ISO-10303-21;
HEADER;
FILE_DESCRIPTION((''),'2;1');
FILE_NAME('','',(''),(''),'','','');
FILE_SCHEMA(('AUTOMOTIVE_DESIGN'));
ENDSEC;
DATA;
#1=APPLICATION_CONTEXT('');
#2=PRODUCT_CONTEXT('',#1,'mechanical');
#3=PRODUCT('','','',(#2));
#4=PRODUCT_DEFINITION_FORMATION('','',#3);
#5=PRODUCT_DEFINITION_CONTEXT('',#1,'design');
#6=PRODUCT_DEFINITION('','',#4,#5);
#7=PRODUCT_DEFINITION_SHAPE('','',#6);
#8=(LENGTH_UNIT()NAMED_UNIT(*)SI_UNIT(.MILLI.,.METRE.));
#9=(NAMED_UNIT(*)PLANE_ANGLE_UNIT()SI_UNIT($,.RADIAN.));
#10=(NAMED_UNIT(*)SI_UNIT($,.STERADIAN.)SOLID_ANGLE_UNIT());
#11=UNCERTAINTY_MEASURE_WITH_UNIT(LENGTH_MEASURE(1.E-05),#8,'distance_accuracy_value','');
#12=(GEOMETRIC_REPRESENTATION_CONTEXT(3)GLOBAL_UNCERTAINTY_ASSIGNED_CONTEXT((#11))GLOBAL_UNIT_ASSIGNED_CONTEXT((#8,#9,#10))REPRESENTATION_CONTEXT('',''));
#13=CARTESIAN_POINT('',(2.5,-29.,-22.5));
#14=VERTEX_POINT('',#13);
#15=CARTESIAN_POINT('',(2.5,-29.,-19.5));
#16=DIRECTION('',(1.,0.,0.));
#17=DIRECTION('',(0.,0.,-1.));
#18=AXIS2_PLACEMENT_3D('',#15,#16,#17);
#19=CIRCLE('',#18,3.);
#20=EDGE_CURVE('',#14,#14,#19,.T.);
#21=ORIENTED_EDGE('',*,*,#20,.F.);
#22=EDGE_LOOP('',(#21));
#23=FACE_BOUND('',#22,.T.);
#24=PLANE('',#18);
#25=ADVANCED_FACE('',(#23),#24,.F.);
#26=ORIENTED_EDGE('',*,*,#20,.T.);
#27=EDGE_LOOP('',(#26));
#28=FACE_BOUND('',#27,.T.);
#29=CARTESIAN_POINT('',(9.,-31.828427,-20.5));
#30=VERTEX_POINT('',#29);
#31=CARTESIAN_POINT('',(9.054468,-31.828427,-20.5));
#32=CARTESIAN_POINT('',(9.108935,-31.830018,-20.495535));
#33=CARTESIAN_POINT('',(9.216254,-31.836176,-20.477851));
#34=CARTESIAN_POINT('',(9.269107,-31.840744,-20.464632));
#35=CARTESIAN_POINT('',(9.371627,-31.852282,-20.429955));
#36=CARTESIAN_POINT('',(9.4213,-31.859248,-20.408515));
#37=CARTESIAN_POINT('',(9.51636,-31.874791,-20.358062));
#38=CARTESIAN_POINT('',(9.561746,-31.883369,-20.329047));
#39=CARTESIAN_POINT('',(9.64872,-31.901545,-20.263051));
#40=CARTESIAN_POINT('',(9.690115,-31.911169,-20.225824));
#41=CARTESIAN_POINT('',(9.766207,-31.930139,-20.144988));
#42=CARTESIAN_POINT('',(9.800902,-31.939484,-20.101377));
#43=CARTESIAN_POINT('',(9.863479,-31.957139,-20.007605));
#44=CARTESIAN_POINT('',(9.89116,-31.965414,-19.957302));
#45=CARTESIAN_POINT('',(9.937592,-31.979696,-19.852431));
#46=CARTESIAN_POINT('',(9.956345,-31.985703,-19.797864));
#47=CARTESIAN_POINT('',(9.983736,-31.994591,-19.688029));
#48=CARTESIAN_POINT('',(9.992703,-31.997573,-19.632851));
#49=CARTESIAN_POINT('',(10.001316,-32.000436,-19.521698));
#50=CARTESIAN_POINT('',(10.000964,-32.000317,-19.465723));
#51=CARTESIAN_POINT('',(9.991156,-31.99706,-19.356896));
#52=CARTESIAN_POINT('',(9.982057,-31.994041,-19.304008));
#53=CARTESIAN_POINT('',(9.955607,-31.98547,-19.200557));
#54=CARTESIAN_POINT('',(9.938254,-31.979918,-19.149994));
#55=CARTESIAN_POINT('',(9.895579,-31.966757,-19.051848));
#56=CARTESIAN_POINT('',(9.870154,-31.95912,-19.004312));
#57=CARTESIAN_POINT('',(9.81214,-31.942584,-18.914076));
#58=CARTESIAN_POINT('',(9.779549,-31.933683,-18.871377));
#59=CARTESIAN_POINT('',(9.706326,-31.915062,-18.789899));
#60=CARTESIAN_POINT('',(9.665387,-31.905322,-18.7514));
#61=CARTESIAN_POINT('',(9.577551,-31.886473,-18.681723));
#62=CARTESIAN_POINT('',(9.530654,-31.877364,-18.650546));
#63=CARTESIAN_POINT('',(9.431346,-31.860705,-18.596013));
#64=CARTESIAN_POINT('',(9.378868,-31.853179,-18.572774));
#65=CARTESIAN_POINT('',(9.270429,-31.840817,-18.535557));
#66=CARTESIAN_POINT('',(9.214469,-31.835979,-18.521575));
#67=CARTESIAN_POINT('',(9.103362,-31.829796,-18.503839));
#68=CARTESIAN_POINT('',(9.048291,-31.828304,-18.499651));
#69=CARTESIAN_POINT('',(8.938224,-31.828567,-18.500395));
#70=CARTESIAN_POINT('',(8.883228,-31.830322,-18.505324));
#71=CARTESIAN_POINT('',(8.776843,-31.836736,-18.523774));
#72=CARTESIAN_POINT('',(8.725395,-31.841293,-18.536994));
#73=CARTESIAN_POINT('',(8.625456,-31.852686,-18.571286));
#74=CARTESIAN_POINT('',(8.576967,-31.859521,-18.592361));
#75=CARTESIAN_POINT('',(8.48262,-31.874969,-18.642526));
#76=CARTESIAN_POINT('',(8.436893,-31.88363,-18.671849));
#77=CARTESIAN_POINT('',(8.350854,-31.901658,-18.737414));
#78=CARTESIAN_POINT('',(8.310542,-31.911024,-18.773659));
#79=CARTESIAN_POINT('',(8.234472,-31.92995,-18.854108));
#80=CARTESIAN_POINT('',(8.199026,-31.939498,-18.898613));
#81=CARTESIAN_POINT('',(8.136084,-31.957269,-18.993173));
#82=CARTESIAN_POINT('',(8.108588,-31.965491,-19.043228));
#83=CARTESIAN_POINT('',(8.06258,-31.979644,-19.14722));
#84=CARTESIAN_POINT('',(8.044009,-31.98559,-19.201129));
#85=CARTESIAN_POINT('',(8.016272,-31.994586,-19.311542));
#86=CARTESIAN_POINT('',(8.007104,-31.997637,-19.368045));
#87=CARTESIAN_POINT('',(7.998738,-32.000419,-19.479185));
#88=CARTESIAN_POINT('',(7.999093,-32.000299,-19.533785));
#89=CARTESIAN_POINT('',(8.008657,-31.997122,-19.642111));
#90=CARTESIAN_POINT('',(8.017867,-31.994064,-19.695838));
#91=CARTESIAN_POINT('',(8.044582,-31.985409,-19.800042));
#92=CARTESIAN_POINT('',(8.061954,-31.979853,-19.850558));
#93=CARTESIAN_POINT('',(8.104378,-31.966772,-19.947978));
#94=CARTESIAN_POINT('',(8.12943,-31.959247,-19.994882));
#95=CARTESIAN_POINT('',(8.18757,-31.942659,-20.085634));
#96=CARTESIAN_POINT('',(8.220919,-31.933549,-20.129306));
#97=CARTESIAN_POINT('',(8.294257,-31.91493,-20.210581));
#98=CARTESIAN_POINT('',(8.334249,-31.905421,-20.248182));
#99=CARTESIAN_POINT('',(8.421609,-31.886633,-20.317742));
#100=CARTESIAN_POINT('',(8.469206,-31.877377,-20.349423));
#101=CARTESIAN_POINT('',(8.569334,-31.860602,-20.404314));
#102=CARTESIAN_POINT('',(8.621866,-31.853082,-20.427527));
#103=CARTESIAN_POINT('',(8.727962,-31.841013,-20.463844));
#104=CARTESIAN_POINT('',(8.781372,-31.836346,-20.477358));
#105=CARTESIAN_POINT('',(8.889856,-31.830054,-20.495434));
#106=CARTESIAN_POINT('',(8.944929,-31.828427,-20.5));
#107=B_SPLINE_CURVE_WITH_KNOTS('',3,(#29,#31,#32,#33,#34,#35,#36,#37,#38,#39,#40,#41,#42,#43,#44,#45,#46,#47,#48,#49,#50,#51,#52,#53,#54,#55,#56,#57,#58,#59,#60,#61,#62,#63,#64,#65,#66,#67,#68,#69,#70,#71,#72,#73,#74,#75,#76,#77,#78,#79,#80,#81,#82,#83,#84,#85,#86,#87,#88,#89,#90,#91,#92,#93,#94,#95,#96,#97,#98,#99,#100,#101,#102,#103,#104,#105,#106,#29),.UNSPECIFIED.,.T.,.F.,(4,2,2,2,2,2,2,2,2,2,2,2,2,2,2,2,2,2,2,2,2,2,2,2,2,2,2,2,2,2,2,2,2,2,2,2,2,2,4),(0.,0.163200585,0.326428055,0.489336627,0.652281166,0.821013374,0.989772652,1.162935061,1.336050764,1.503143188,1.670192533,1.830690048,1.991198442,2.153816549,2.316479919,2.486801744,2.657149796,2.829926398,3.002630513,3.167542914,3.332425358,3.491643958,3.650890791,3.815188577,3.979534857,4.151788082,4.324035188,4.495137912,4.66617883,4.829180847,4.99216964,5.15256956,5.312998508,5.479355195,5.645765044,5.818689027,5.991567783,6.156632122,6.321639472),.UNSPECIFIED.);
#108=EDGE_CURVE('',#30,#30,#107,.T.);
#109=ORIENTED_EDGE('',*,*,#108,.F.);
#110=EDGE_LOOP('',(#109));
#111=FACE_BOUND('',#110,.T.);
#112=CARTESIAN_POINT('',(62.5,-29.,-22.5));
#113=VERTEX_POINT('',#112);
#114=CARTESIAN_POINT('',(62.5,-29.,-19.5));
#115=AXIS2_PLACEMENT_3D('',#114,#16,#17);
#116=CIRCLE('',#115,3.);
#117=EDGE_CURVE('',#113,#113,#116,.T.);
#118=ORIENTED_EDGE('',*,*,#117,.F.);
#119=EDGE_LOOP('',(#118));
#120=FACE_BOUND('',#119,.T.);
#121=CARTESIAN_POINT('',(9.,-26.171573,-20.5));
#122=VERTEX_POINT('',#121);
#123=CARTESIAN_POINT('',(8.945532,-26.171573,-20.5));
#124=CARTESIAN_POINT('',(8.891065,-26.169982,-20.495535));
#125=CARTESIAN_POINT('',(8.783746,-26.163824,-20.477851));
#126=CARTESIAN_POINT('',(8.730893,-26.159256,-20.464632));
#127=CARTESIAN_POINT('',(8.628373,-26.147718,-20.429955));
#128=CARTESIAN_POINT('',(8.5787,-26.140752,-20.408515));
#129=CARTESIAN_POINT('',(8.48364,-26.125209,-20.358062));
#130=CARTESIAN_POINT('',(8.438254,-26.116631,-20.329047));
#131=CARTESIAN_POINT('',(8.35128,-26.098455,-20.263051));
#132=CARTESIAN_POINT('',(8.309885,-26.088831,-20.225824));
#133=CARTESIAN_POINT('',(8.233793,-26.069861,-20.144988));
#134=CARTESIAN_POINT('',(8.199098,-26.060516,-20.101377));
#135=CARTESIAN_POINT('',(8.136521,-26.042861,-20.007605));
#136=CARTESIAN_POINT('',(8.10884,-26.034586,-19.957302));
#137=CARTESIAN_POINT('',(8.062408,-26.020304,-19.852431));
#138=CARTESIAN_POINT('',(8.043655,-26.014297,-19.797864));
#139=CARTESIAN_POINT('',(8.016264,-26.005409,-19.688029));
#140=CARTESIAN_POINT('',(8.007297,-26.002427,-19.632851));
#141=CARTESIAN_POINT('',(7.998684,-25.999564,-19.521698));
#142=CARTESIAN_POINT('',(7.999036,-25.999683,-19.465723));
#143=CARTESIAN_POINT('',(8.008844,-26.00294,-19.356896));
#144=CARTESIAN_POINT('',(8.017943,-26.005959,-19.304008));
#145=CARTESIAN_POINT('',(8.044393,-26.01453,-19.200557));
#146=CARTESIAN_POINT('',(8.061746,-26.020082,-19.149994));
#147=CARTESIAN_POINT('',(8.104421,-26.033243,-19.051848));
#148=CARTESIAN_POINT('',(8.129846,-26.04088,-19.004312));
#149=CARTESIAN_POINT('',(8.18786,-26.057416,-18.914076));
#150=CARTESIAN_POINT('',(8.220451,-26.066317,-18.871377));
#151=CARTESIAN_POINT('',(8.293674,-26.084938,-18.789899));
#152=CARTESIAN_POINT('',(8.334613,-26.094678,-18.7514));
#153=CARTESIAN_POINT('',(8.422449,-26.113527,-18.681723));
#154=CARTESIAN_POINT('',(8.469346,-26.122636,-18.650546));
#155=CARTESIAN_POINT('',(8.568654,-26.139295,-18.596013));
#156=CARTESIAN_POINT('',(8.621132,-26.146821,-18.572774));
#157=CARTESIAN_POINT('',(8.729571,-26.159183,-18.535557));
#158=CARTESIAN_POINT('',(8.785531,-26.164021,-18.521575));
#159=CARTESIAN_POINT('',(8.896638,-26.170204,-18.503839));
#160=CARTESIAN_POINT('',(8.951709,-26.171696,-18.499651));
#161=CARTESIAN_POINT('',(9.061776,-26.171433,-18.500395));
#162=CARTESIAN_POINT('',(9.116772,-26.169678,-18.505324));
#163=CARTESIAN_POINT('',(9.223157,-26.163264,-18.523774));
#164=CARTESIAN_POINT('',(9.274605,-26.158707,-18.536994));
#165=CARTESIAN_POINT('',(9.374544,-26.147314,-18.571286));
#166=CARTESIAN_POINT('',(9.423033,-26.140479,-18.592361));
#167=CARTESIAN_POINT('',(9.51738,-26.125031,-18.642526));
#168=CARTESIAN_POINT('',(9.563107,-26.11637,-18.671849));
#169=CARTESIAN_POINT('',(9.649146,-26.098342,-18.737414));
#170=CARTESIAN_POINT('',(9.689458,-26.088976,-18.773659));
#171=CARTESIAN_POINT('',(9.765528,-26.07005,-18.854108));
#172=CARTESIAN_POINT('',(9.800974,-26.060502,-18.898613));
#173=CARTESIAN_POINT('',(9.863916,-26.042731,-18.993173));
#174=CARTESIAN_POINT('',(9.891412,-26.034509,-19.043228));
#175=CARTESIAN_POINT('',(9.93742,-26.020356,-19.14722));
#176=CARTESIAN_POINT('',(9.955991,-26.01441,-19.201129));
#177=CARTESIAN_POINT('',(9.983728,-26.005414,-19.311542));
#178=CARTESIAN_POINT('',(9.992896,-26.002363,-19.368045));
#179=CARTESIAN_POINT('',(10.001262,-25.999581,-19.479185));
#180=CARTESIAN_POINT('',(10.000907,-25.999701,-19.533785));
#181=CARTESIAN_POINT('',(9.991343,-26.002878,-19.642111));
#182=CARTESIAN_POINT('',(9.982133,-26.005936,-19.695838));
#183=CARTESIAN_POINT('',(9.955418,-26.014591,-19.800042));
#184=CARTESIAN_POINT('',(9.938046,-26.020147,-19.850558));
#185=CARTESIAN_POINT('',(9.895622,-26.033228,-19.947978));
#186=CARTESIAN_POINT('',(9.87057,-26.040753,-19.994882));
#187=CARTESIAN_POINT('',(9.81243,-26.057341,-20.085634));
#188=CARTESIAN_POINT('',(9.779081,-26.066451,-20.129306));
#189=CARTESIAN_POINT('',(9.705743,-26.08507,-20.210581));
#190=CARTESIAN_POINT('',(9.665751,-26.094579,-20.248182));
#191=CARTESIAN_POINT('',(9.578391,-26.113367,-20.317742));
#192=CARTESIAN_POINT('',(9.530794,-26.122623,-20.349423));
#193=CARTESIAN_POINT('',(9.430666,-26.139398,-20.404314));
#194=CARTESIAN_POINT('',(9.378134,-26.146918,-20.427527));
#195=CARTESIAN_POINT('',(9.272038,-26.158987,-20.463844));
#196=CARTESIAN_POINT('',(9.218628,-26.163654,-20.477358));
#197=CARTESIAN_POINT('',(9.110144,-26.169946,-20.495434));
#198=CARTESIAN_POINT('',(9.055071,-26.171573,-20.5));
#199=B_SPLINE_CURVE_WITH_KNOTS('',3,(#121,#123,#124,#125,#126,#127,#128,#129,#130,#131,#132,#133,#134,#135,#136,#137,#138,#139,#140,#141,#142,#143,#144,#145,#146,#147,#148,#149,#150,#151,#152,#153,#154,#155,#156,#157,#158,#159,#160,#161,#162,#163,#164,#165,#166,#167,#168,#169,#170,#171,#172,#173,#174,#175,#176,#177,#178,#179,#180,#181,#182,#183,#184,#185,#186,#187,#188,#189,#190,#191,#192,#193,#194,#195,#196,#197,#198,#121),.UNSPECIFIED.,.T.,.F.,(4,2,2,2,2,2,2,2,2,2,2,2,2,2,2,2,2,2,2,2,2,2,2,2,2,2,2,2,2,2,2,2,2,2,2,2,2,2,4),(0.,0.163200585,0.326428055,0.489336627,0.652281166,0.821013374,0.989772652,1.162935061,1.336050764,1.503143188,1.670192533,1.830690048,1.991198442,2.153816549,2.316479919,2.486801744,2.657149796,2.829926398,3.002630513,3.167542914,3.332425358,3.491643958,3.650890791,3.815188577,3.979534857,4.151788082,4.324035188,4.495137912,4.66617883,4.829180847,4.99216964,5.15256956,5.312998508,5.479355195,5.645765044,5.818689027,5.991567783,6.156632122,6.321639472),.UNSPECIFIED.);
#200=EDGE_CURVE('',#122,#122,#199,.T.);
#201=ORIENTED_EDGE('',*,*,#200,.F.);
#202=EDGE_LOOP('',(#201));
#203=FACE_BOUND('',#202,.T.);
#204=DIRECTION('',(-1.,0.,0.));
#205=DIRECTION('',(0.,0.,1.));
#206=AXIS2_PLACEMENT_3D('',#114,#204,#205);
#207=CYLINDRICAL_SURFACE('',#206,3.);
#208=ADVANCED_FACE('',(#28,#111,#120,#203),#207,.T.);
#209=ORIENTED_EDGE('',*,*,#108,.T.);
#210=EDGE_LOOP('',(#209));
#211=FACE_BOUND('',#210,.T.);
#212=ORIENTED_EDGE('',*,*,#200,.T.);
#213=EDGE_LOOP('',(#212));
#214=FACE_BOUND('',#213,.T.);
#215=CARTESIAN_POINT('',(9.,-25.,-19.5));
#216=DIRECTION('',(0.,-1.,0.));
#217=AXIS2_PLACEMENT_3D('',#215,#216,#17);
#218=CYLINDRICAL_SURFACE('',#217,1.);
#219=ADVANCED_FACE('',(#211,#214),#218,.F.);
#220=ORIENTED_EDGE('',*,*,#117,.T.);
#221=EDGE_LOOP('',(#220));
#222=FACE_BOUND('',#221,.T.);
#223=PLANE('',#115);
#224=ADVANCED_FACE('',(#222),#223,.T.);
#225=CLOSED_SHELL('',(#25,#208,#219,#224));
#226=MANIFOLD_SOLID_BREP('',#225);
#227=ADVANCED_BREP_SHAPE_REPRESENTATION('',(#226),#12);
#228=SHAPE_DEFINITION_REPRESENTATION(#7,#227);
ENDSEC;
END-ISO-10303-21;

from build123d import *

# Parameters (mm, degrees)
M6_THREADED_STOCK_ENVELOPE_SKETCH_R = 3
M6_THREADED_STOCK_ENVELOPE_DEPTH    = 60
COUPLING_PIN_CROSS_HOLE_SKETCH_R    = 1
COUPLING_PIN_CROSS_HOLE_DEPTH       = 8


with BuildPart() as part:
    # M6 threaded stock envelope sketch → M6 threaded stock envelope (new body)
    with BuildSketch(Plane(origin=(2.5, 0, 0), x_dir=(0, 0, -1), z_dir=(1, 0, 0))):
        with Locations((19.5, -29)):
            Circle(M6_THREADED_STOCK_ENVELOPE_SKETCH_R)
    extrude(amount=M6_THREADED_STOCK_ENVELOPE_DEPTH)

    # Coupling pin cross hole sketch → Coupling pin cross hole (cut)
    with BuildSketch(Plane(origin=(0, -33, 0), x_dir=(1, 0, 0), z_dir=(0, 1, 0))):
        with Locations(Location((9, 19.5, 0), (0, 0, 90))):
            Circle(COUPLING_PIN_CROSS_HOLE_SKETCH_R)
    extrude(amount=COUPLING_PIN_CROSS_HOLE_DEPTH, mode=Mode.SUBTRACT)


solid = part.part
